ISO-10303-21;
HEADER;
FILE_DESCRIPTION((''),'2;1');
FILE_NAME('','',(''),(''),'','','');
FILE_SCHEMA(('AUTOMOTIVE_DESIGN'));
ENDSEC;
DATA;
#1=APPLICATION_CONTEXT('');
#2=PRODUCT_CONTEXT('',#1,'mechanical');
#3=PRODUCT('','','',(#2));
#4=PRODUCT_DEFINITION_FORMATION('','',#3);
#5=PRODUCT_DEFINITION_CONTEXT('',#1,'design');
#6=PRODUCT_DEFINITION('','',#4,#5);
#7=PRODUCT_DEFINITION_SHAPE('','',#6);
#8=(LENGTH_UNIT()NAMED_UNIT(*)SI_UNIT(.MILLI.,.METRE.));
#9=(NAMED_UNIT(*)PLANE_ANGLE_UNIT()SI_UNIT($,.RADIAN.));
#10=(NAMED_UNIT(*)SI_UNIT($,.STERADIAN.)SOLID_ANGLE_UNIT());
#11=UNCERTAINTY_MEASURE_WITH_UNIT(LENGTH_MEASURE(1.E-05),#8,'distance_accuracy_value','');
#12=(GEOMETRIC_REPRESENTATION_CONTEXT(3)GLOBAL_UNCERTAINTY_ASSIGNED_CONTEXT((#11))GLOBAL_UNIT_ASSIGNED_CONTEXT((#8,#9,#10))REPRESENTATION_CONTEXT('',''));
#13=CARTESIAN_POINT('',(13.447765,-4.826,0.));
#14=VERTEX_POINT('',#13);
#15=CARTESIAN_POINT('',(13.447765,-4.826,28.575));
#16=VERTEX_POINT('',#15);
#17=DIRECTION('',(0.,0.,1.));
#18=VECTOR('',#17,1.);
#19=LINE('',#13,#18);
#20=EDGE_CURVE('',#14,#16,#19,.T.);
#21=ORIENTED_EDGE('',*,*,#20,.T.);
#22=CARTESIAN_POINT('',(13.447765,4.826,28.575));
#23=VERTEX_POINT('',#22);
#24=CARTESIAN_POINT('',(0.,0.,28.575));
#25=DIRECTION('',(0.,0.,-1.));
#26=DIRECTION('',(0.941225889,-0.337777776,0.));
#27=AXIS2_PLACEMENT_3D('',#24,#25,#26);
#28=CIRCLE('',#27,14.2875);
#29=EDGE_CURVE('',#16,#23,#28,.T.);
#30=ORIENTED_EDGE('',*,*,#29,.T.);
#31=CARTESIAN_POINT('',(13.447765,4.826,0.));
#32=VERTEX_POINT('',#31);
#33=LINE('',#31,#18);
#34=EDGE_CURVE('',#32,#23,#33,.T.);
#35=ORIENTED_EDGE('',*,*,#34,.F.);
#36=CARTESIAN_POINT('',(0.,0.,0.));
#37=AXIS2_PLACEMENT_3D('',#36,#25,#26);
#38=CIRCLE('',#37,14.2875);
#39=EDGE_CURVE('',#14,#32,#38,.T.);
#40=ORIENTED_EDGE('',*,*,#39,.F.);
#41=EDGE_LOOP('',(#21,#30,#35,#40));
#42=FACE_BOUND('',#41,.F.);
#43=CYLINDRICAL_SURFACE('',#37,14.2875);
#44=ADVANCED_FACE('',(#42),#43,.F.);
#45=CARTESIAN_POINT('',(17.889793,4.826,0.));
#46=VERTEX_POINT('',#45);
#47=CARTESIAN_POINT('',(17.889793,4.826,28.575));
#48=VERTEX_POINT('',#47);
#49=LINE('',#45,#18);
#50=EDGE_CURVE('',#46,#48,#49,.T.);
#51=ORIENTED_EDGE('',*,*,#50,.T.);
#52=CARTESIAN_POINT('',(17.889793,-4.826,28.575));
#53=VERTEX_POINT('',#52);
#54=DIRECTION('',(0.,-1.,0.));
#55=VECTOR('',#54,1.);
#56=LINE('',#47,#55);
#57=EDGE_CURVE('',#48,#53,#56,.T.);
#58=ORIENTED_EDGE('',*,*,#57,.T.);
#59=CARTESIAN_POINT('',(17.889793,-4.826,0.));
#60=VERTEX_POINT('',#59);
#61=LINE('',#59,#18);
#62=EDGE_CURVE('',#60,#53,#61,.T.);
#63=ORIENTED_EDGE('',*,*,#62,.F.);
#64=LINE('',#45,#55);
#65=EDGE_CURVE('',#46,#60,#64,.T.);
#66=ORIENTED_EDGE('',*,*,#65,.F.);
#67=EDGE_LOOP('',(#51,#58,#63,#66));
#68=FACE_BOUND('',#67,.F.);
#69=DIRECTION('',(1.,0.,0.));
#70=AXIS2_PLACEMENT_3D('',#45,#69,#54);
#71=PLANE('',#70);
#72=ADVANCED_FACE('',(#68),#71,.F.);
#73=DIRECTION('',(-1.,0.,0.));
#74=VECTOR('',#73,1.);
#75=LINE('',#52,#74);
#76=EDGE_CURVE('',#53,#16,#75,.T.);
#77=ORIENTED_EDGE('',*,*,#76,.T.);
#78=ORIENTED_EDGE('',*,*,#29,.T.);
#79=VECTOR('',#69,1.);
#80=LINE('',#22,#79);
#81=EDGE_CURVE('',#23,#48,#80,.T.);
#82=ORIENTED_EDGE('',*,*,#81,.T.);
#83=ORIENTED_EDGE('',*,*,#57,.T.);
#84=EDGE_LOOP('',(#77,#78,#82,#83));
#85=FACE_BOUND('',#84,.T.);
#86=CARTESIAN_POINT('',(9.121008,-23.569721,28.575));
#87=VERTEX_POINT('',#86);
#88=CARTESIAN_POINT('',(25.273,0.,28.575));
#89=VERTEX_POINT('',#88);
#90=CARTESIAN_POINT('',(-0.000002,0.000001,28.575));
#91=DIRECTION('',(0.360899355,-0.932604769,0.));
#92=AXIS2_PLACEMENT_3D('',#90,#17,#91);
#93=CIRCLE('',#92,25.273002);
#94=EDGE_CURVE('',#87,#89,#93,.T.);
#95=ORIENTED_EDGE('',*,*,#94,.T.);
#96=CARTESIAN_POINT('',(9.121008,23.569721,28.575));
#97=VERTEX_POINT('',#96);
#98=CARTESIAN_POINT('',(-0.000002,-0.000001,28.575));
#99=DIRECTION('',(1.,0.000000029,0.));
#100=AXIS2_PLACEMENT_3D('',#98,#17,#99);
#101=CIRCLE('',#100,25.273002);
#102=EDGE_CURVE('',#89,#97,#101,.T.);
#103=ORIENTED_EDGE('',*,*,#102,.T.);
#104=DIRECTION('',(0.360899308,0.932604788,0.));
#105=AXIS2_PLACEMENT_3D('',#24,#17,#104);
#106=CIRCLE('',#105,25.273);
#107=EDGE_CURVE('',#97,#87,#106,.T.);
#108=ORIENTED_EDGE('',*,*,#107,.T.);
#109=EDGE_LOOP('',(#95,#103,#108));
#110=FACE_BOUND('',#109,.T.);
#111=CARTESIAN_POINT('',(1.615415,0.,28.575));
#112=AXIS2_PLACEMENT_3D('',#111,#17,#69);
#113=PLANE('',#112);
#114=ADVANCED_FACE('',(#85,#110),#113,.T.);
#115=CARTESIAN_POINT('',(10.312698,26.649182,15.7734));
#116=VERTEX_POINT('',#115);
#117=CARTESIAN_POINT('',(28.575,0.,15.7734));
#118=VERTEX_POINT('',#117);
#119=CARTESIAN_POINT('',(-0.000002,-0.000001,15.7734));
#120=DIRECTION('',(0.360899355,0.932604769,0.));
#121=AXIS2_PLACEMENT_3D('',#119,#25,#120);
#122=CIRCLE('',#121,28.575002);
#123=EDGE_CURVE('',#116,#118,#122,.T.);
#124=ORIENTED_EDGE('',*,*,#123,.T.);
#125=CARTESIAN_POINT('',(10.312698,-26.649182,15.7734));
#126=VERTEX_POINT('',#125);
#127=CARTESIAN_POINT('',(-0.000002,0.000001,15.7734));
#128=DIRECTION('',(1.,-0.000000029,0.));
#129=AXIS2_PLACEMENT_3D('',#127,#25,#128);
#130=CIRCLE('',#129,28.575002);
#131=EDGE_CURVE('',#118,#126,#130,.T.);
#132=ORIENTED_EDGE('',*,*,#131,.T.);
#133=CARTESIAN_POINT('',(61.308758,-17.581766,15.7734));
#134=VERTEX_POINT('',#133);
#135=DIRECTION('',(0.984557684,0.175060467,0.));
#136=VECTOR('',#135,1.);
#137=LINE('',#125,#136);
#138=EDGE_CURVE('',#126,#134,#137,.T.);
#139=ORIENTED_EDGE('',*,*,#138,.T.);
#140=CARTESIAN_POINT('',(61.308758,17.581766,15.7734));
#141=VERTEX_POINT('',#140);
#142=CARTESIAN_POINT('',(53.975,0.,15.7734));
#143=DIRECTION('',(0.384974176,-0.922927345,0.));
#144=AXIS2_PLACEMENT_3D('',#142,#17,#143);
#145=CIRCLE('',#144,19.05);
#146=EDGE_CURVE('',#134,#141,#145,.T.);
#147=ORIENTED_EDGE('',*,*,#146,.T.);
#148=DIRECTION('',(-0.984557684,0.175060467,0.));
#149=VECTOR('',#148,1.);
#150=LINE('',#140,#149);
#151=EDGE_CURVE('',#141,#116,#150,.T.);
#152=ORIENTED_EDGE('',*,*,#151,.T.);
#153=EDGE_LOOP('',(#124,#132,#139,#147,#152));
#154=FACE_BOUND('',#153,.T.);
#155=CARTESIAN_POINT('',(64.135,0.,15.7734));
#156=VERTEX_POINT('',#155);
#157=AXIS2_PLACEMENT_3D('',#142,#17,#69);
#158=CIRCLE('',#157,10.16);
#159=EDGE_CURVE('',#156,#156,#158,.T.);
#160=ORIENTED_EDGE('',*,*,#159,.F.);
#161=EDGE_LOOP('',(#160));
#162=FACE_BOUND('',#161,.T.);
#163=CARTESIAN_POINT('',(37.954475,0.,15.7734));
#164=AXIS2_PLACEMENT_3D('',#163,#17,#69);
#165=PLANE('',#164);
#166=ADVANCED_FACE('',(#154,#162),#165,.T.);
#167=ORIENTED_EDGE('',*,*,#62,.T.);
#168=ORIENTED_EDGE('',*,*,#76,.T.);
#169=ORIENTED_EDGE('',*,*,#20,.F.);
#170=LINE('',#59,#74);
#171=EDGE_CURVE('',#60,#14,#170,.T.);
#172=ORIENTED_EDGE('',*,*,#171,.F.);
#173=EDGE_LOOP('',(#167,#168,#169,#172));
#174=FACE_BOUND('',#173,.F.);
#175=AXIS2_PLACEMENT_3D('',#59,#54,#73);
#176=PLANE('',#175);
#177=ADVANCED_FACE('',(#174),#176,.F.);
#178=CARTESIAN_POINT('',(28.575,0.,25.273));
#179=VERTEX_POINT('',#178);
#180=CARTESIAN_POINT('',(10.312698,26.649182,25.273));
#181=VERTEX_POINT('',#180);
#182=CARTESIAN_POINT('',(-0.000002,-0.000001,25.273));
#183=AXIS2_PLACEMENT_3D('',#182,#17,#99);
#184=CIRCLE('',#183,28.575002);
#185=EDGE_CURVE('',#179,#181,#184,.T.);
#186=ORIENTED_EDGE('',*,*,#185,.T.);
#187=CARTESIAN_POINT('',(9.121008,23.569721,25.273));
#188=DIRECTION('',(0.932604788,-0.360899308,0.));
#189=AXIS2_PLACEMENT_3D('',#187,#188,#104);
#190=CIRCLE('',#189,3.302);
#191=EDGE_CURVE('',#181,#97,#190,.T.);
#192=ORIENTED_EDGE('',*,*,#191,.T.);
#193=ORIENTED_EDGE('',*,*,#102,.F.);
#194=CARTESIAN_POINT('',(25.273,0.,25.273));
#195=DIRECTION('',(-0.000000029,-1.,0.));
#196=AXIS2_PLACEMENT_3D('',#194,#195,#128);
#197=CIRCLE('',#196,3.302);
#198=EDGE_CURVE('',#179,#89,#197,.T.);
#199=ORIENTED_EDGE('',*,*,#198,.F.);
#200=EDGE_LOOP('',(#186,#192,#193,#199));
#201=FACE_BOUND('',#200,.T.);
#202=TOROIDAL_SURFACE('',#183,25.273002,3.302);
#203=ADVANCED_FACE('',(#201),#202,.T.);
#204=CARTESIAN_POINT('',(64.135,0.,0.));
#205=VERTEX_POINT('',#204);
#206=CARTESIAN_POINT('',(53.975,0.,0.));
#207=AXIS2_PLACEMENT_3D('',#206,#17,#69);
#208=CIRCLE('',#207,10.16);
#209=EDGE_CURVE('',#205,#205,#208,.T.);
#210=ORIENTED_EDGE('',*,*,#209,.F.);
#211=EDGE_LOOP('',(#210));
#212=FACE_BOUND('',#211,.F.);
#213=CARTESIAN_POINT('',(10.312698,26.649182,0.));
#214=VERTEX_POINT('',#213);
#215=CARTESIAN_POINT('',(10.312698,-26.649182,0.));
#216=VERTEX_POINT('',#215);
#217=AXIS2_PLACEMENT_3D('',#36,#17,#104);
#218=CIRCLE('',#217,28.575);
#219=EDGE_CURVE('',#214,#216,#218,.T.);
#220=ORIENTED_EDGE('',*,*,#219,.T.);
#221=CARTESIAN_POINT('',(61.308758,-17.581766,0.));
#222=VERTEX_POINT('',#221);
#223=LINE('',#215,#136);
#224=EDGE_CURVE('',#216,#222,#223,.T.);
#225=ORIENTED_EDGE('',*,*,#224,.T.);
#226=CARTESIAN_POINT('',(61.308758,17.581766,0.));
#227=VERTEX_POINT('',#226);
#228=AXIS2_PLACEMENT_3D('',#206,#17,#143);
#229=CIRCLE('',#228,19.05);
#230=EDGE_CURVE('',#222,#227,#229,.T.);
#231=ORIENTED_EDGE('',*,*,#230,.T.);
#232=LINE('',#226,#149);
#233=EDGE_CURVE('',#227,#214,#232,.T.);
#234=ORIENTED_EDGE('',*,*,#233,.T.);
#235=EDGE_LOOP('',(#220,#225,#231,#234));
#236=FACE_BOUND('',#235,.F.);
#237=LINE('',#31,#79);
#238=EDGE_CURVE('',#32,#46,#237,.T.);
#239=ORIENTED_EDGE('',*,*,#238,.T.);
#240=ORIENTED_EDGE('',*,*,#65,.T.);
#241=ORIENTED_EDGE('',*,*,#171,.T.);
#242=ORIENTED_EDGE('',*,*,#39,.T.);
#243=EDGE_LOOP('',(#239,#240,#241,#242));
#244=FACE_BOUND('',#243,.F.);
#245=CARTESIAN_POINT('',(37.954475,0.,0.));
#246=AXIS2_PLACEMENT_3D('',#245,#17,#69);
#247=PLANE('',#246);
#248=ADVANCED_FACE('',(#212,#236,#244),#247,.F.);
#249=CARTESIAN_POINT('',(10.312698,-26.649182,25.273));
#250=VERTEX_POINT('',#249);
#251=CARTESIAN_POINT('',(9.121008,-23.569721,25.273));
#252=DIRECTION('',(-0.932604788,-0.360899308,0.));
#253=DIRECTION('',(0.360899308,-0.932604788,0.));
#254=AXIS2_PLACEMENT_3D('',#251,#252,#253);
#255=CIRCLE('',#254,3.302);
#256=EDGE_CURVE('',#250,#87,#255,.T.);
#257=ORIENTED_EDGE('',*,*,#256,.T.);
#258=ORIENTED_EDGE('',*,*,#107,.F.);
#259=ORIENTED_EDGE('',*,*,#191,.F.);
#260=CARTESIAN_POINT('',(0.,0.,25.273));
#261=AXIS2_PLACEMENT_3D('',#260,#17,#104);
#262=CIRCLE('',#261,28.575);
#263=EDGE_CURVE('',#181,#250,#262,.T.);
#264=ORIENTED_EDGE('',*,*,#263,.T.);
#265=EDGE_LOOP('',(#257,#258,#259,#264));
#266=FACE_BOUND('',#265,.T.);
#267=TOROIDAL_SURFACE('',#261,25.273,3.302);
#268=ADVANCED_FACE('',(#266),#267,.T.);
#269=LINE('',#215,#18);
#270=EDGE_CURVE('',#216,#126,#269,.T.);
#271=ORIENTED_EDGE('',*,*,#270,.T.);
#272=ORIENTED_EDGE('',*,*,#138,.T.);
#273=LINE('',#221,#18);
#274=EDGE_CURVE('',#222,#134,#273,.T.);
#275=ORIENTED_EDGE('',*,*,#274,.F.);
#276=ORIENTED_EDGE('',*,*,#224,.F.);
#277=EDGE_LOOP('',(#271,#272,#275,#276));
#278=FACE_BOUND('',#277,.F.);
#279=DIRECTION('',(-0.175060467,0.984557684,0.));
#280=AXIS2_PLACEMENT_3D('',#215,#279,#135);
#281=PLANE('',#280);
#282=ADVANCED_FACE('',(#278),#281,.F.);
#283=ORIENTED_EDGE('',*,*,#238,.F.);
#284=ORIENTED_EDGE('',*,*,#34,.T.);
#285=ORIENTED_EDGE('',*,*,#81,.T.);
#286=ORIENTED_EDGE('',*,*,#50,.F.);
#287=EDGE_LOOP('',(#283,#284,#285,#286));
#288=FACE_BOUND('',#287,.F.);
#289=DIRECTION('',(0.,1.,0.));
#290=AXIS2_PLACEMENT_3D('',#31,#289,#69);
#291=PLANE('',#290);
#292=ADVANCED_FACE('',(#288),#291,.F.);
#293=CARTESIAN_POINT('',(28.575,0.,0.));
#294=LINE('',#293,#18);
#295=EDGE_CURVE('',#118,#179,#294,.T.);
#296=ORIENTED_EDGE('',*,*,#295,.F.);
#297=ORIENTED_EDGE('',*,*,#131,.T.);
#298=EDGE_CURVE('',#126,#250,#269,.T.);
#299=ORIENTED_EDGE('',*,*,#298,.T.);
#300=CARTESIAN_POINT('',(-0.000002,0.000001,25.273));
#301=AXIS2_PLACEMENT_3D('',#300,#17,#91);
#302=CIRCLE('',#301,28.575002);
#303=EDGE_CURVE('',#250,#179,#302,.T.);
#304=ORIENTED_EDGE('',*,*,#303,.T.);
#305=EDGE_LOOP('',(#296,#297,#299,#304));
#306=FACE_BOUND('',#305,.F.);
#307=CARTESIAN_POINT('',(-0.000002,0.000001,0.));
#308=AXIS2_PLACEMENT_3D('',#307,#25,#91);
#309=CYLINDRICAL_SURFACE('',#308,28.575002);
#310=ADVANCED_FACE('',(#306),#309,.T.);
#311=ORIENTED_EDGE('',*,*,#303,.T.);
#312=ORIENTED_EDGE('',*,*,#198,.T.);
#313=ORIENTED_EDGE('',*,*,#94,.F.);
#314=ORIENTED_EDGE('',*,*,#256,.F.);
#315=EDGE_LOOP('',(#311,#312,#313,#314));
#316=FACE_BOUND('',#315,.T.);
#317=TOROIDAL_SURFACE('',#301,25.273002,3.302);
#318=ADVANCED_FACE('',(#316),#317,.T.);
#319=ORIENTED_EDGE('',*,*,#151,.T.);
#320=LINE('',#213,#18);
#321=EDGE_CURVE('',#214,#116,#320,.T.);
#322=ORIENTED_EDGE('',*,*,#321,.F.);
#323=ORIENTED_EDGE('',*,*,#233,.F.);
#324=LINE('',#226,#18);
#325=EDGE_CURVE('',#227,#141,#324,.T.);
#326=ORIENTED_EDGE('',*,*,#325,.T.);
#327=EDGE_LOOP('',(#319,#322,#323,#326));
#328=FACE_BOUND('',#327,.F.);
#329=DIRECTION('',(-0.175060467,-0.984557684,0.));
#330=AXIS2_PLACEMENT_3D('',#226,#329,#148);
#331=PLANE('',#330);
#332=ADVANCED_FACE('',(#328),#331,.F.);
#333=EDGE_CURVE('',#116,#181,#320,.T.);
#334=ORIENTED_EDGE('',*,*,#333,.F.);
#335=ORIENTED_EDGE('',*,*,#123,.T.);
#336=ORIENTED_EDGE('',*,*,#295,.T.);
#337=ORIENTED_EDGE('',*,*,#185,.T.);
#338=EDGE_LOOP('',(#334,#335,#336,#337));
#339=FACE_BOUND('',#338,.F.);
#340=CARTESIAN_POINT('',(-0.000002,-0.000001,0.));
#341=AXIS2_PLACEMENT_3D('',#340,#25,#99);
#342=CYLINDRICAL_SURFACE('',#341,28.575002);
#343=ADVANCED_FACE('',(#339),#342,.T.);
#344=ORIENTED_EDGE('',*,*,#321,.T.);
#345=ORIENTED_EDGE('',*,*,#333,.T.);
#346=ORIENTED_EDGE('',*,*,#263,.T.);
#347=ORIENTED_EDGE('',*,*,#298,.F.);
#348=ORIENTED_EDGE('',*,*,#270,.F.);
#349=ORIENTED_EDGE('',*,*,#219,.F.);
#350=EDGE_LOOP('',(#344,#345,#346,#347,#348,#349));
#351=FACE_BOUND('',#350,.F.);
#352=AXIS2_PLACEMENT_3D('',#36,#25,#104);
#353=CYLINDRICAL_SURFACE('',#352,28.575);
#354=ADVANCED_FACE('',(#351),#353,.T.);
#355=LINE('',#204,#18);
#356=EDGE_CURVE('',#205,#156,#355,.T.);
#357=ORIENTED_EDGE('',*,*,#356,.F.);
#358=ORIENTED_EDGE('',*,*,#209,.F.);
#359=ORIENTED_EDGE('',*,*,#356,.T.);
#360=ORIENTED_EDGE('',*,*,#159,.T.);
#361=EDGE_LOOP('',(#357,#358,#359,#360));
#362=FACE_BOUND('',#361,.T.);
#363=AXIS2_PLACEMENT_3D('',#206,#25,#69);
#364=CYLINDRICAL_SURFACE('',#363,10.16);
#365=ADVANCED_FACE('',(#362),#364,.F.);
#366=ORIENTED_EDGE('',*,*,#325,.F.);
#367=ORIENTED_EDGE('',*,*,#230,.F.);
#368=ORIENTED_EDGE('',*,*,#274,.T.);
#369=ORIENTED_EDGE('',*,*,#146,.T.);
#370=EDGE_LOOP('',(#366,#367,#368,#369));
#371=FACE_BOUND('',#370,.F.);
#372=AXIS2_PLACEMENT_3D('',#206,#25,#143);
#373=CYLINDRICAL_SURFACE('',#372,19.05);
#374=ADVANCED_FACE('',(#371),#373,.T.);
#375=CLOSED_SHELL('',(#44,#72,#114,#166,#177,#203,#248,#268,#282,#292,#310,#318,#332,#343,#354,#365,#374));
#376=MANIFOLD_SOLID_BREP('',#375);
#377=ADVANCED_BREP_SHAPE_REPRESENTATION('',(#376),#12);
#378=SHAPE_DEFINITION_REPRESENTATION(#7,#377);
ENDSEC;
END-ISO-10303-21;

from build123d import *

# Parameters (mm, degrees)
F1_DEPTH = 28.575
F0_R     = 10.16
F2_DEPTH = 15.7734
F3_R     = 3.302


with BuildPart() as f1:
    # F0 (on Top) → F1 (new body)
    with BuildSketch(Plane.XY):
        with BuildLine():
            ThreePointArc((10.312698, -26.649182), (23.571338, -16.1531), (28.575, 0))
            ThreePointArc((28.575, 0), (23.571338, 16.1531), (10.312698, 26.649182))
            ThreePointArc((10.312698, 26.649182), (-28.575, 0), (10.312698, -26.649182))
        make_face()
        with BuildLine():
            ThreePointArc((13.447765, -4.826), (-14.2875, 0), (13.447765, 4.826))
            Line((13.447765, 4.826), (14.2875, 4.826))
            Line((14.2875, 4.826), (17.889793, 4.826))
            Line((17.889793, 4.826), (17.889793, -4.826))
            Line((17.889793, -4.826), (13.447765, -4.826))
        make_face(mode=Mode.SUBTRACT)
    extrude(amount=F1_DEPTH)

    # F0 (on Top) → F2 (join)
    with BuildSketch(Plane.XY):
        with BuildLine():
            ThreePointArc((10.312698, 26.649182), (23.571338, 16.1531), (28.575, 0))
            ThreePointArc((28.575, 0), (23.571338, -16.1531), (10.312698, -26.649182))
            Line((10.312698, -26.649182), (61.308758, -17.581766))
            ThreePointArc((61.308758, -17.581766), (73.025, 0), (61.308758, 17.581766))
            Line((61.308758, 17.581766), (10.312698, 26.649182))
        make_face()
        with Locations((53.975, 0)):
            Circle(F0_R, mode=Mode.SUBTRACT)
    extrude(amount=F2_DEPTH)

    # F3
    f3_edges = [f1.edges().sort_by_distance(p)[0] for p in [
        (-10.312698, 26.649182, 28.575),
    ]]
    fillet(f3_edges, radius=F3_R)


solid = f1.part
